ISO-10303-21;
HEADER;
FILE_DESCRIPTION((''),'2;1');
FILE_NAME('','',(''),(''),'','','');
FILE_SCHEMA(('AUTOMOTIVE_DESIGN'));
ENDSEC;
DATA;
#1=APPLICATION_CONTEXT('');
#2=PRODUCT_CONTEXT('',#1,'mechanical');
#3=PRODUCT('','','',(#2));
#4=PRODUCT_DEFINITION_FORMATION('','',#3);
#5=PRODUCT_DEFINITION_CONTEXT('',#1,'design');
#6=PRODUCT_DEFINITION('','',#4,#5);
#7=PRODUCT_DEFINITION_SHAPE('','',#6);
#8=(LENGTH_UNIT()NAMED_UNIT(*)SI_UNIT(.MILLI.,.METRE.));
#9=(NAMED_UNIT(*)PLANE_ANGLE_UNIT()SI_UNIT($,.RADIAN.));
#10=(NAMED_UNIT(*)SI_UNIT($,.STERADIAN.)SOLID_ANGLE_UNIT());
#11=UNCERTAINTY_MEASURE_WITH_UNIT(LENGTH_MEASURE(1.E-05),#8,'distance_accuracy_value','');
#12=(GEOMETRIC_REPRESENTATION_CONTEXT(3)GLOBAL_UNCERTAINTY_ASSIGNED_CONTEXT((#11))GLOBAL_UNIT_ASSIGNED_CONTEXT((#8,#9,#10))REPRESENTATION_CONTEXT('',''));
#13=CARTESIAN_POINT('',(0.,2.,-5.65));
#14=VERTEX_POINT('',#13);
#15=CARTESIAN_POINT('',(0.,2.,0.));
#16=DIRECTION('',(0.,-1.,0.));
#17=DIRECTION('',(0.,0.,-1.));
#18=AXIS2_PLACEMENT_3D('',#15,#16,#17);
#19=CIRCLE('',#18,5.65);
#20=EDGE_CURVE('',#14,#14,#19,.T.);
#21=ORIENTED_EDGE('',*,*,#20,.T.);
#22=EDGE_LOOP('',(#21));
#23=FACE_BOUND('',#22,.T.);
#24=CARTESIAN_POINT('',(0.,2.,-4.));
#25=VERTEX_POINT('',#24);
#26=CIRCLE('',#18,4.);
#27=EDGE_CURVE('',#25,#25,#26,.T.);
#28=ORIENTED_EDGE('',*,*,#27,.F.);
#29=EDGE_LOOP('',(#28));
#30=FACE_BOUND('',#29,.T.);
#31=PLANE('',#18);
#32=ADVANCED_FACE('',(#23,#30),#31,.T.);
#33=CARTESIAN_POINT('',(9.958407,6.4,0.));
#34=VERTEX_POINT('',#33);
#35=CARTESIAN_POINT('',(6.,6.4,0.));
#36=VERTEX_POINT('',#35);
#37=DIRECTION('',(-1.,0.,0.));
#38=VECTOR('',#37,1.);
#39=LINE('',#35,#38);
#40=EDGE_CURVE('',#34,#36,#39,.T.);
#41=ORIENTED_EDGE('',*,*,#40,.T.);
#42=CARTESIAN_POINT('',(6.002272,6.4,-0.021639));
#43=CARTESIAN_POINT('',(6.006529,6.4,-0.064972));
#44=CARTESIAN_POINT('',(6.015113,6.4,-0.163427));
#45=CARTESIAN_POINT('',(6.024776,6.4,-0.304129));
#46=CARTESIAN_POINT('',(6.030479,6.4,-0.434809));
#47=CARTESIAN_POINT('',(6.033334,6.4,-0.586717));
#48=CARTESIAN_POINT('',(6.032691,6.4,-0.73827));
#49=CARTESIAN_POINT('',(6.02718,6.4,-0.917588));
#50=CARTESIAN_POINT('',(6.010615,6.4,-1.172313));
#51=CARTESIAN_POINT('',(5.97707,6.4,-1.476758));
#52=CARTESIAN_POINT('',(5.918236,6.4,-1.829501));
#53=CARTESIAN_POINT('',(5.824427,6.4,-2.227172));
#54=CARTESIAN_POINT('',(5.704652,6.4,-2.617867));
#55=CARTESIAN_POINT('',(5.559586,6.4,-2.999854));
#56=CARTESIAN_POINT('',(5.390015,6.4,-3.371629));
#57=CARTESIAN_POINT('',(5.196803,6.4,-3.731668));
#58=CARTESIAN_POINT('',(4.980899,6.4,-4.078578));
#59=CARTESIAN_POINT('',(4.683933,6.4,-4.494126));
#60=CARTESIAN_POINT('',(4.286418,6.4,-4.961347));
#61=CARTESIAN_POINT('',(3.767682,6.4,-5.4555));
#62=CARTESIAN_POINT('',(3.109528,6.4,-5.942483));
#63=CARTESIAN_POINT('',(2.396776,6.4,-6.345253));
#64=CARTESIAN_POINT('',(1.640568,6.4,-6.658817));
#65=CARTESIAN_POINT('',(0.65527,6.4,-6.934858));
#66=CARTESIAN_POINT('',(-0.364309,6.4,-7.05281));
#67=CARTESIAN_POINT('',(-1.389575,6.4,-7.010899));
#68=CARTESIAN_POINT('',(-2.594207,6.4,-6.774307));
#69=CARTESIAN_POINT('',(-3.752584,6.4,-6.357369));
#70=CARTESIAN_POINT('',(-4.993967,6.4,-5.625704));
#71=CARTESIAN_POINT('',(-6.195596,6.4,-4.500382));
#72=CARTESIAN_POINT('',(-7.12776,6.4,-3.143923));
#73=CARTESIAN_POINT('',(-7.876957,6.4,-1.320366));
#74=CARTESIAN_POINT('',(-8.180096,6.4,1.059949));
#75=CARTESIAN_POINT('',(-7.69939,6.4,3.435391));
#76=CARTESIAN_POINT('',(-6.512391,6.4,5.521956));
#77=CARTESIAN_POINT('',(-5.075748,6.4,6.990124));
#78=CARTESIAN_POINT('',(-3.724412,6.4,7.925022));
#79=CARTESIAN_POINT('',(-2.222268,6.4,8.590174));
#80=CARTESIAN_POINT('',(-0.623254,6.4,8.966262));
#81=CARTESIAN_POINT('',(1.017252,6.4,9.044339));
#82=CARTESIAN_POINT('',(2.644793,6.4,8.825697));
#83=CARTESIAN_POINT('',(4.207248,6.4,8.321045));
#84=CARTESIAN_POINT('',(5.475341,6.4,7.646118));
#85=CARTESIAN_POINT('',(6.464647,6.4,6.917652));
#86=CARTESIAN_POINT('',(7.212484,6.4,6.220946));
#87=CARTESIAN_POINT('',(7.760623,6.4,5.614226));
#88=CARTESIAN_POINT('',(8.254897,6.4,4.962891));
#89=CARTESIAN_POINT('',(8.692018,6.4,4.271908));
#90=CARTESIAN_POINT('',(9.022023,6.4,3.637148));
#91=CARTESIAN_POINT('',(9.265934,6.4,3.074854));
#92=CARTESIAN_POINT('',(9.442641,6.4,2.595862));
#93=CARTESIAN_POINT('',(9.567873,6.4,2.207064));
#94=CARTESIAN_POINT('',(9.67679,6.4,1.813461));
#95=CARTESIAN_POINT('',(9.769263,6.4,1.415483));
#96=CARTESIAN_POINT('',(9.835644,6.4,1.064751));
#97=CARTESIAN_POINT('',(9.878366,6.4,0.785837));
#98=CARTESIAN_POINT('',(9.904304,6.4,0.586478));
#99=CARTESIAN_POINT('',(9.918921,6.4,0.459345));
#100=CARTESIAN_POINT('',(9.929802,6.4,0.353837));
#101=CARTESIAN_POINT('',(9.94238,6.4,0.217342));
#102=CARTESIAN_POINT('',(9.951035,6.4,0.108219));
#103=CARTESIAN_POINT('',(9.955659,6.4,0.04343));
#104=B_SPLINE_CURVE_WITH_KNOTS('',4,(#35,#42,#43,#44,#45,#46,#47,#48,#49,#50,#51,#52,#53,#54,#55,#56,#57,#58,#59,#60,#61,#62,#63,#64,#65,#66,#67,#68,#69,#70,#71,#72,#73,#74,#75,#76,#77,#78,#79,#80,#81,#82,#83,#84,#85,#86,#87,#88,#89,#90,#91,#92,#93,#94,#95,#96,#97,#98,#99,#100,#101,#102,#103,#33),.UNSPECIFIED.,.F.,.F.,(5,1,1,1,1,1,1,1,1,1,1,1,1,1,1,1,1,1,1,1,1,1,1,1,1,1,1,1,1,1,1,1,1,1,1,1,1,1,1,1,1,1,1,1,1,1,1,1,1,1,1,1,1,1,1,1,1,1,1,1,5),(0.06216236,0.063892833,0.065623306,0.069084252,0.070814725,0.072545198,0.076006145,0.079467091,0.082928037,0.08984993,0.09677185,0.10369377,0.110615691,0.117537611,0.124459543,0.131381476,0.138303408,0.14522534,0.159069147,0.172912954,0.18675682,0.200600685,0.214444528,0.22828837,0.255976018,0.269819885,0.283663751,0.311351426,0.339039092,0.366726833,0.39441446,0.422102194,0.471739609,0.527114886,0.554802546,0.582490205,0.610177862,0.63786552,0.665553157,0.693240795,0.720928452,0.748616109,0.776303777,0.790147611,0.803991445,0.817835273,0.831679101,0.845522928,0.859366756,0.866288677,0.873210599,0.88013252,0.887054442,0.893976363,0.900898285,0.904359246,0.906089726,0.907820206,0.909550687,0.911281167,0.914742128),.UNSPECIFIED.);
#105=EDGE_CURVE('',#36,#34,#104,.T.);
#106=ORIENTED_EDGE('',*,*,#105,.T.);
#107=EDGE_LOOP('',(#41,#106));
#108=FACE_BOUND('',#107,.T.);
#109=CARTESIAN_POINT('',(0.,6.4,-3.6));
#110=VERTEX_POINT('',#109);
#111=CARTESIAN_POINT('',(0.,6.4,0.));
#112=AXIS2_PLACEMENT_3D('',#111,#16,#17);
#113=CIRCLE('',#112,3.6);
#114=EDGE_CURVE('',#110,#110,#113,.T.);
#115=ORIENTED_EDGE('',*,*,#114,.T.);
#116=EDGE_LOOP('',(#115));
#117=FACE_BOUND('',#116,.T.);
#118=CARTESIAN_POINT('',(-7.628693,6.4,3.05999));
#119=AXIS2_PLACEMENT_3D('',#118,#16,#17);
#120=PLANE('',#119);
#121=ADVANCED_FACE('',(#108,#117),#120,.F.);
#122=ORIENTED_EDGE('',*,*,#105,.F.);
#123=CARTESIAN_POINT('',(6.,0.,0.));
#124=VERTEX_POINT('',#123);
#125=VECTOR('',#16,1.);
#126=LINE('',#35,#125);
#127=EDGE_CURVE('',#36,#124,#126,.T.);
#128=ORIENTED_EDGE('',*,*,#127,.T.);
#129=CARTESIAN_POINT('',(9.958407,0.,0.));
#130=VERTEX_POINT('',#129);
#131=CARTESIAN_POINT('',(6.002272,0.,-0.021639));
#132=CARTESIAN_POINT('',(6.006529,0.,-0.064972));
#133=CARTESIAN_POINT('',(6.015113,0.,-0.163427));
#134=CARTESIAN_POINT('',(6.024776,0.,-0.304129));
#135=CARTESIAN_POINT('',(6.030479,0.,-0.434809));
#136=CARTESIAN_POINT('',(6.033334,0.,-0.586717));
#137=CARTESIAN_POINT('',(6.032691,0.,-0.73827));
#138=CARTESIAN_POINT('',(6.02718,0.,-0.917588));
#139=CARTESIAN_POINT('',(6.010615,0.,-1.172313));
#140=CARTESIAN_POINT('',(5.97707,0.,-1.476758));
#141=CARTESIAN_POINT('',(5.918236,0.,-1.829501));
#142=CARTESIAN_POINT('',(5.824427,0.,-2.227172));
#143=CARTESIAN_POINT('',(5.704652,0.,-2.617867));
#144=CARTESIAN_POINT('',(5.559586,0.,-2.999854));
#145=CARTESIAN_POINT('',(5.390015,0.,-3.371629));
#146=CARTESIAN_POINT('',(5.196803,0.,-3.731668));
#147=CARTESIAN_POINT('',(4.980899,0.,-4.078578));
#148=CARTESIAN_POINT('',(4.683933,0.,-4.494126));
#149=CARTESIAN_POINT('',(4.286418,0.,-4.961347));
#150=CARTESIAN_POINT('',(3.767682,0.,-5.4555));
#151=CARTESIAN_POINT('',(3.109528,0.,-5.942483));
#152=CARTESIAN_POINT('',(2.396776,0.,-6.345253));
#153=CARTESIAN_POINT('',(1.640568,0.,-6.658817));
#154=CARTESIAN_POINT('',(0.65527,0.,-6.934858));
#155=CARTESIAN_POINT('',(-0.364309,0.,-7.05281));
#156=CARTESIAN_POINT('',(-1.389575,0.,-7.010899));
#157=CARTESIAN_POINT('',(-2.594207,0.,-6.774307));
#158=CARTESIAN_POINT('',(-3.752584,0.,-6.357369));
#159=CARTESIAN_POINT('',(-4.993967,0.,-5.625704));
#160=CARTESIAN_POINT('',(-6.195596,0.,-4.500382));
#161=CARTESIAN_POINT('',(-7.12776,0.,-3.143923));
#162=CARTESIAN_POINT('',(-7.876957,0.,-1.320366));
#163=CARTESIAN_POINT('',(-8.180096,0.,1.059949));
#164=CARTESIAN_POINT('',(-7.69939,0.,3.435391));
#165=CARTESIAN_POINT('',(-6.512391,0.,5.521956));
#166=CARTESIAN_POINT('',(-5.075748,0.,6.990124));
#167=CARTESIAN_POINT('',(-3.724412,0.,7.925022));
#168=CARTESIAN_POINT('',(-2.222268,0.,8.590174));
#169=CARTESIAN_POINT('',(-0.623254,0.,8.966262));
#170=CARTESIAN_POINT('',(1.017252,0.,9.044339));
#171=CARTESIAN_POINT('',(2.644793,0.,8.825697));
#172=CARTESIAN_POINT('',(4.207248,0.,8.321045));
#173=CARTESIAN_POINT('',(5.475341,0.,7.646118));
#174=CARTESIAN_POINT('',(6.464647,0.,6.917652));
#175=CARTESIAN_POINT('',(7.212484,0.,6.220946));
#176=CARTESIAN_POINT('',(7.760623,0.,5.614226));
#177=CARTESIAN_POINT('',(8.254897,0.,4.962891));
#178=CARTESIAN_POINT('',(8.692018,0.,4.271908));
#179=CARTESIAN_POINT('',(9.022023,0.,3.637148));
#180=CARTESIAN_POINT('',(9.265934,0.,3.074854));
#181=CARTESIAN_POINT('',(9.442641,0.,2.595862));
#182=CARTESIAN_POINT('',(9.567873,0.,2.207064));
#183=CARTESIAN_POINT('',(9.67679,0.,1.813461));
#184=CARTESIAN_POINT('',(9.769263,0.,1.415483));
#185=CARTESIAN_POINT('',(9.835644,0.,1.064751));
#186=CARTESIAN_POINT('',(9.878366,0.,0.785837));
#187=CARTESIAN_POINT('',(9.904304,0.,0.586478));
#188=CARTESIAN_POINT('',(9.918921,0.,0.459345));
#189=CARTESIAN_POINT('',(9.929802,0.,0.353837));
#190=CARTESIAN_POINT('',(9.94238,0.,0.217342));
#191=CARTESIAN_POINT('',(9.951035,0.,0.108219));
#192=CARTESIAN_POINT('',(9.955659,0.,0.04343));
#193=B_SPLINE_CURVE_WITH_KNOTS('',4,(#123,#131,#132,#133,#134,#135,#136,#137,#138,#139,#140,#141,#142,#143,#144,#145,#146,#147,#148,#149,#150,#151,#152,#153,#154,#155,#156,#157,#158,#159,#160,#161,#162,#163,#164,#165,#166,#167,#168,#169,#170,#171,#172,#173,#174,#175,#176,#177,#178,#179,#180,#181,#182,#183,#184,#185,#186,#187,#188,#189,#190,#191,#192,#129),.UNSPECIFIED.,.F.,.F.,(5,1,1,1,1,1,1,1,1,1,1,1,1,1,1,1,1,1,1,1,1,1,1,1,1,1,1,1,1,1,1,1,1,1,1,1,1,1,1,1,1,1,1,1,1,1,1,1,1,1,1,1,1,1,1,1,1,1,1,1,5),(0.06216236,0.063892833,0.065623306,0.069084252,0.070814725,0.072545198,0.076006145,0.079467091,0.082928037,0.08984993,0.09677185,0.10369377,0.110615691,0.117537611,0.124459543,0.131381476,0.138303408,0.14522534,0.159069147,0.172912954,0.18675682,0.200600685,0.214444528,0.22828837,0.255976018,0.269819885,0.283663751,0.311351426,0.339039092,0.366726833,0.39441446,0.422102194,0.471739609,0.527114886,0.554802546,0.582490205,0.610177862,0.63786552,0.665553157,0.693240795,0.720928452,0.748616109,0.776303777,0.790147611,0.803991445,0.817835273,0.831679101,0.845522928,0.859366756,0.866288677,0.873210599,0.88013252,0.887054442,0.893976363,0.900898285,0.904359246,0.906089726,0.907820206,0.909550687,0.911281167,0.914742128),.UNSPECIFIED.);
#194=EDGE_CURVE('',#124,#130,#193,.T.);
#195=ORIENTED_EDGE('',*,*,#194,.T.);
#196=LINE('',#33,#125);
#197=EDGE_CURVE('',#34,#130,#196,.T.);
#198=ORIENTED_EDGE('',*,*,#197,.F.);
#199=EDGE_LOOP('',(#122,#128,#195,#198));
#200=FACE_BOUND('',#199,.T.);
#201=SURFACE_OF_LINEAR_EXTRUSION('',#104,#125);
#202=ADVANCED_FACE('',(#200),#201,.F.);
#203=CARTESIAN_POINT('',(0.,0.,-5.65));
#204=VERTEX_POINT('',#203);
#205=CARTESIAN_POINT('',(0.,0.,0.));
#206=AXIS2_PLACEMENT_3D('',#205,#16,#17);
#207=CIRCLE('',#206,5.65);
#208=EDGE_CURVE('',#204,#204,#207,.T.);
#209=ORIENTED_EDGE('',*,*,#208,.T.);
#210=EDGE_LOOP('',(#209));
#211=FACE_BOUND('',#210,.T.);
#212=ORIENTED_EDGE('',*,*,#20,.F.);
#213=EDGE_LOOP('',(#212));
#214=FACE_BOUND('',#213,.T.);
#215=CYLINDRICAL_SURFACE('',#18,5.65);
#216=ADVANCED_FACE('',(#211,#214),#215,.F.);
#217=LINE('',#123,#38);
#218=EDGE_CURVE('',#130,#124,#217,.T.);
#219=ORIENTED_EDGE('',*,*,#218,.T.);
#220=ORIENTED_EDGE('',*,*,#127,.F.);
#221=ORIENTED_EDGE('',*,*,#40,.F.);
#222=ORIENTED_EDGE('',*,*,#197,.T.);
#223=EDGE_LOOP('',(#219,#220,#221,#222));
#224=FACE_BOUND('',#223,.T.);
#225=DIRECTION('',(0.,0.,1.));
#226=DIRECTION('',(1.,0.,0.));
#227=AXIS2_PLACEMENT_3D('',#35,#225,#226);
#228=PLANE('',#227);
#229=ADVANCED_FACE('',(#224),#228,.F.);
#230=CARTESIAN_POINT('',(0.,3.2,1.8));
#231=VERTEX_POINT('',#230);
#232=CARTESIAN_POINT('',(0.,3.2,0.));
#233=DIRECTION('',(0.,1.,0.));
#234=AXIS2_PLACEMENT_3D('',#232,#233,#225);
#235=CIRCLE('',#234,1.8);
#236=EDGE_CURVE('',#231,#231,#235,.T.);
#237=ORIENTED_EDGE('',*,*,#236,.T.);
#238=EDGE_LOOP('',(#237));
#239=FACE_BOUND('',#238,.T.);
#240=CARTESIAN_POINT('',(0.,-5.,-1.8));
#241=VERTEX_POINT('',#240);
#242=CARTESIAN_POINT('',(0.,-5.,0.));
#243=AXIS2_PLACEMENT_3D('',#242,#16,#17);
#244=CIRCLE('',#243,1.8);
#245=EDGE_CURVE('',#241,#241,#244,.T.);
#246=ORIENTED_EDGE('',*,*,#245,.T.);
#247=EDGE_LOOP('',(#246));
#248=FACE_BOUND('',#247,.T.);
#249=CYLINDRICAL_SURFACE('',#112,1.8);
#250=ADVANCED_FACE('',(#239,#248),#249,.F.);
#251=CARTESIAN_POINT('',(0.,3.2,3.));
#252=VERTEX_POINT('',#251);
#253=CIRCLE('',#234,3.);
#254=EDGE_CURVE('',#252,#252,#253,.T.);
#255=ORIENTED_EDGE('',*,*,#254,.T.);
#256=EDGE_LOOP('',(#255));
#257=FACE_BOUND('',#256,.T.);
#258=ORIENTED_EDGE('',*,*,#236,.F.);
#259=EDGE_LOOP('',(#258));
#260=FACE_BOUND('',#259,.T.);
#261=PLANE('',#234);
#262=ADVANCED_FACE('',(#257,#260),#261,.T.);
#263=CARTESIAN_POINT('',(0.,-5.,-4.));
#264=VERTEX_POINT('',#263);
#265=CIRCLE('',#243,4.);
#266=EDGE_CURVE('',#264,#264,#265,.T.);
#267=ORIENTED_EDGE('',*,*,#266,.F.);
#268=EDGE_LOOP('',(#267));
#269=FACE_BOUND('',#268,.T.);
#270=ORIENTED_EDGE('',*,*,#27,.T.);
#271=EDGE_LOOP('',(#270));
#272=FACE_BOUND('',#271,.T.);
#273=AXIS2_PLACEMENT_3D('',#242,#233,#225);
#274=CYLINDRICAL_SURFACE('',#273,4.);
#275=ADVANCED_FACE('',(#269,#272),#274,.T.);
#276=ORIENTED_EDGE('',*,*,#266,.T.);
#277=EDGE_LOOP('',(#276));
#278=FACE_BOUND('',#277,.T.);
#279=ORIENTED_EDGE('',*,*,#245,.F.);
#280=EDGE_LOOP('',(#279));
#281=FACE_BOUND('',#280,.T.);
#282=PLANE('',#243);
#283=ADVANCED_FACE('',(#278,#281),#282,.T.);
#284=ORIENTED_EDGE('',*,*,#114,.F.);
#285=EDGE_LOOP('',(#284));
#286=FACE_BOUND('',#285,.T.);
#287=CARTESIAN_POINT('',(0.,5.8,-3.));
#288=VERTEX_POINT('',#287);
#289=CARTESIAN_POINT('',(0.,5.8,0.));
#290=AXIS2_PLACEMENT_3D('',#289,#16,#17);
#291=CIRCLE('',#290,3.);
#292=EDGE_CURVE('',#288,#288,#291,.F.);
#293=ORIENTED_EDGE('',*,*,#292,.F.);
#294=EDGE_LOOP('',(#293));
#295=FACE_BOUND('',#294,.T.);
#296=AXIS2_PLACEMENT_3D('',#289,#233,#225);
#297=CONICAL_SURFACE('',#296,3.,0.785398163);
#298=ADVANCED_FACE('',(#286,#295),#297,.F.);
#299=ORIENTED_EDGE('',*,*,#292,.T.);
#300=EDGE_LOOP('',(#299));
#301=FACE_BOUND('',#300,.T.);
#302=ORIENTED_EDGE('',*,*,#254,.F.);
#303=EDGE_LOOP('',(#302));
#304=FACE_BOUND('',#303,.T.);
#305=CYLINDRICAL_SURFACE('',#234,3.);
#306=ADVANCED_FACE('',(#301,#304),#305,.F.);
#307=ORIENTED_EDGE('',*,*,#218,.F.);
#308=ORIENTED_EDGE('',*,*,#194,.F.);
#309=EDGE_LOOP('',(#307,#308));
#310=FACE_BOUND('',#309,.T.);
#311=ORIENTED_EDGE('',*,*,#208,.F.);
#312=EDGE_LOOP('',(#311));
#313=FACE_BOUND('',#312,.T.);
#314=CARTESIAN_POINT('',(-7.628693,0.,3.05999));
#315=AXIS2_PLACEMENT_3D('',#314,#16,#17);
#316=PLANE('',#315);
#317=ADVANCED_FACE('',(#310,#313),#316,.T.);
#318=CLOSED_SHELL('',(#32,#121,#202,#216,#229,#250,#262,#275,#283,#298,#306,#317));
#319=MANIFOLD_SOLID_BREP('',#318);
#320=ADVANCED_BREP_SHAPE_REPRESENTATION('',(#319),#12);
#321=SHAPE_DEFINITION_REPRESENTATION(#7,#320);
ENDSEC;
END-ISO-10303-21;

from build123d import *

# Parameters (mm, degrees)
SKETCH_1_R          = 1.8
EXTRUDE_1_DEPTH     = 6.4
SKETCH_7_R          = 3
CUT_EXTRUDE_1_DEPTH = 3.2
CHAMFER_1_SIZE      = 0.6
SKETCH_8_R          = 4
SKETCH_8_R_2        = 1.8
EXTRUDE_2_DEPTH     = 5
SKETCH_9_R          = 5.65
SKETCH_9_R_2        = 4
CUT_EXTRUDE_2_DEPTH = 2


with BuildPart() as part:
    # Эскиз1 → Бобышка-Вытянуть1 (new body)
    with BuildSketch(Plane(origin=(0, 0, 0), x_dir=(1, 0, 0), z_dir=(0, 1, 0))):
        with BuildLine():
            Line((6, 0), (9.958406744, 0))
            add(Edge.make_bspline(
                [(6, 0), (6.002272113, 0.021639174), (6.006529407, 0.064971678), (6.015112598, 0.163427407), (6.024775509, 0.304129478), (6.030478934, 0.434809211), (6.033334434, 0.586716982), (6.032690583, 0.73827041), (6.027179884, 0.917587714), (6.010615451, 1.172313346), (5.977069804, 1.476758321), (5.918236292, 1.829501116), (5.824427259, 2.227172291), (5.704652114, 2.617866963), (5.559586468, 2.999854381), (5.390015398, 3.37162893), (5.19680319, 3.731668412), (4.980898847, 4.078578375), (4.683933464, 4.49412557), (4.286417683, 4.961346959), (3.767682288, 5.455500007), (3.109527716, 5.942482642), (2.396776267, 6.345253396), (1.640568289, 6.658816766), (0.655269827, 6.9348581), (-0.364309039, 7.052809796), (-1.389575446, 7.010898818), (-2.594207276, 6.774307442), (-3.752583959, 6.357368572), (-4.993966669, 5.625704065), (-6.195596017, 4.500381965), (-7.127759938, 3.143923409), (-7.87695686, 1.320366061), (-8.180095948, -1.059949049), (-7.699390251, -3.435390648), (-6.512391275, -5.521956271), (-5.075747859, -6.990123604), (-3.724412466, -7.925022405), (-2.222268119, -8.590173964), (-0.623254184, -8.96626176), (1.017251524, -9.044338961), (2.64479309, -8.825696647), (4.207248475, -8.321045328), (5.475341442, -7.646118032), (6.464647424, -6.917652279), (7.212483615, -6.22094648), (7.760623375, -5.614225587), (8.254896543, -4.962890636), (8.692017546, -4.271907538), (9.022022694, -3.637148435), (9.265934425, -3.074854387), (9.442641195, -2.595861785), (9.567873004, -2.207063914), (9.676789888, -1.813460825), (9.769263478, -1.415482574), (9.835643513, -1.064750616), (9.878366151, -0.785836788), (9.904303789, -0.586478316), (9.918920643, -0.459345016), (9.929802018, -0.353837425), (9.942380024, -0.217342139), (9.951035172, -0.108219013), (9.955659249, -0.043429627), (9.958406744, 0)],
                knots=[0.06216236, 0.06216236, 0.06216236, 0.06216236, 0.06216236, 0.063892833, 0.065623306, 0.069084252, 0.070814725, 0.072545198, 0.076006145, 0.079467091, 0.082928037, 0.08984993, 0.09677185, 0.10369377, 0.110615691, 0.117537611, 0.124459543, 0.131381476, 0.138303408, 0.14522534, 0.159069147, 0.172912954, 0.18675682, 0.200600685, 0.214444528, 0.22828837, 0.255976018, 0.269819885, 0.283663751, 0.311351426, 0.339039092, 0.366726833, 0.39441446, 0.422102194, 0.471739609, 0.527114886, 0.554802546, 0.582490205, 0.610177862, 0.63786552, 0.665553157, 0.693240795, 0.720928452, 0.748616109, 0.776303777, 0.790147611, 0.803991445, 0.817835273, 0.831679101, 0.845522928, 0.859366756, 0.866288677, 0.873210599, 0.88013252, 0.887054442, 0.893976363, 0.900898285, 0.904359246, 0.906089726, 0.907820206, 0.909550687, 0.911281167, 0.914742128, 0.914742128, 0.914742128, 0.914742128, 0.914742128], degree=4))
        make_face()
        Circle(SKETCH_1_R, mode=Mode.SUBTRACT)
    extrude(amount=EXTRUDE_1_DEPTH)

    # Эскиз7 → Вырез-Вытянуть1 (cut)
    with BuildSketch(Plane(origin=(0, 6.4, 0), x_dir=(1, 0, 0), z_dir=(0, 1, 0))):
        Circle(SKETCH_7_R)
    extrude(amount=-CUT_EXTRUDE_1_DEPTH, mode=Mode.SUBTRACT)

    # Фаска1
    chamfer_1_edges = [part.edges().sort_by_distance(p)[0] for p in [
        (-3, 6.4, 0),
    ]]
    chamfer(chamfer_1_edges, length=CHAMFER_1_SIZE)

    # Эскиз8 → Бобышка-Вытянуть2 (add)
    with BuildSketch(Plane.XZ):
        Circle(SKETCH_8_R)
        Circle(SKETCH_8_R_2, mode=Mode.SUBTRACT)
    extrude(amount=EXTRUDE_2_DEPTH)

    # Эскиз9 → Вырез-Вытянуть2 (cut)
    with BuildSketch(Plane.XZ):
        Circle(SKETCH_9_R)
        Circle(SKETCH_9_R_2, mode=Mode.SUBTRACT)
    extrude(amount=-CUT_EXTRUDE_2_DEPTH, mode=Mode.SUBTRACT)


solid = part.part
